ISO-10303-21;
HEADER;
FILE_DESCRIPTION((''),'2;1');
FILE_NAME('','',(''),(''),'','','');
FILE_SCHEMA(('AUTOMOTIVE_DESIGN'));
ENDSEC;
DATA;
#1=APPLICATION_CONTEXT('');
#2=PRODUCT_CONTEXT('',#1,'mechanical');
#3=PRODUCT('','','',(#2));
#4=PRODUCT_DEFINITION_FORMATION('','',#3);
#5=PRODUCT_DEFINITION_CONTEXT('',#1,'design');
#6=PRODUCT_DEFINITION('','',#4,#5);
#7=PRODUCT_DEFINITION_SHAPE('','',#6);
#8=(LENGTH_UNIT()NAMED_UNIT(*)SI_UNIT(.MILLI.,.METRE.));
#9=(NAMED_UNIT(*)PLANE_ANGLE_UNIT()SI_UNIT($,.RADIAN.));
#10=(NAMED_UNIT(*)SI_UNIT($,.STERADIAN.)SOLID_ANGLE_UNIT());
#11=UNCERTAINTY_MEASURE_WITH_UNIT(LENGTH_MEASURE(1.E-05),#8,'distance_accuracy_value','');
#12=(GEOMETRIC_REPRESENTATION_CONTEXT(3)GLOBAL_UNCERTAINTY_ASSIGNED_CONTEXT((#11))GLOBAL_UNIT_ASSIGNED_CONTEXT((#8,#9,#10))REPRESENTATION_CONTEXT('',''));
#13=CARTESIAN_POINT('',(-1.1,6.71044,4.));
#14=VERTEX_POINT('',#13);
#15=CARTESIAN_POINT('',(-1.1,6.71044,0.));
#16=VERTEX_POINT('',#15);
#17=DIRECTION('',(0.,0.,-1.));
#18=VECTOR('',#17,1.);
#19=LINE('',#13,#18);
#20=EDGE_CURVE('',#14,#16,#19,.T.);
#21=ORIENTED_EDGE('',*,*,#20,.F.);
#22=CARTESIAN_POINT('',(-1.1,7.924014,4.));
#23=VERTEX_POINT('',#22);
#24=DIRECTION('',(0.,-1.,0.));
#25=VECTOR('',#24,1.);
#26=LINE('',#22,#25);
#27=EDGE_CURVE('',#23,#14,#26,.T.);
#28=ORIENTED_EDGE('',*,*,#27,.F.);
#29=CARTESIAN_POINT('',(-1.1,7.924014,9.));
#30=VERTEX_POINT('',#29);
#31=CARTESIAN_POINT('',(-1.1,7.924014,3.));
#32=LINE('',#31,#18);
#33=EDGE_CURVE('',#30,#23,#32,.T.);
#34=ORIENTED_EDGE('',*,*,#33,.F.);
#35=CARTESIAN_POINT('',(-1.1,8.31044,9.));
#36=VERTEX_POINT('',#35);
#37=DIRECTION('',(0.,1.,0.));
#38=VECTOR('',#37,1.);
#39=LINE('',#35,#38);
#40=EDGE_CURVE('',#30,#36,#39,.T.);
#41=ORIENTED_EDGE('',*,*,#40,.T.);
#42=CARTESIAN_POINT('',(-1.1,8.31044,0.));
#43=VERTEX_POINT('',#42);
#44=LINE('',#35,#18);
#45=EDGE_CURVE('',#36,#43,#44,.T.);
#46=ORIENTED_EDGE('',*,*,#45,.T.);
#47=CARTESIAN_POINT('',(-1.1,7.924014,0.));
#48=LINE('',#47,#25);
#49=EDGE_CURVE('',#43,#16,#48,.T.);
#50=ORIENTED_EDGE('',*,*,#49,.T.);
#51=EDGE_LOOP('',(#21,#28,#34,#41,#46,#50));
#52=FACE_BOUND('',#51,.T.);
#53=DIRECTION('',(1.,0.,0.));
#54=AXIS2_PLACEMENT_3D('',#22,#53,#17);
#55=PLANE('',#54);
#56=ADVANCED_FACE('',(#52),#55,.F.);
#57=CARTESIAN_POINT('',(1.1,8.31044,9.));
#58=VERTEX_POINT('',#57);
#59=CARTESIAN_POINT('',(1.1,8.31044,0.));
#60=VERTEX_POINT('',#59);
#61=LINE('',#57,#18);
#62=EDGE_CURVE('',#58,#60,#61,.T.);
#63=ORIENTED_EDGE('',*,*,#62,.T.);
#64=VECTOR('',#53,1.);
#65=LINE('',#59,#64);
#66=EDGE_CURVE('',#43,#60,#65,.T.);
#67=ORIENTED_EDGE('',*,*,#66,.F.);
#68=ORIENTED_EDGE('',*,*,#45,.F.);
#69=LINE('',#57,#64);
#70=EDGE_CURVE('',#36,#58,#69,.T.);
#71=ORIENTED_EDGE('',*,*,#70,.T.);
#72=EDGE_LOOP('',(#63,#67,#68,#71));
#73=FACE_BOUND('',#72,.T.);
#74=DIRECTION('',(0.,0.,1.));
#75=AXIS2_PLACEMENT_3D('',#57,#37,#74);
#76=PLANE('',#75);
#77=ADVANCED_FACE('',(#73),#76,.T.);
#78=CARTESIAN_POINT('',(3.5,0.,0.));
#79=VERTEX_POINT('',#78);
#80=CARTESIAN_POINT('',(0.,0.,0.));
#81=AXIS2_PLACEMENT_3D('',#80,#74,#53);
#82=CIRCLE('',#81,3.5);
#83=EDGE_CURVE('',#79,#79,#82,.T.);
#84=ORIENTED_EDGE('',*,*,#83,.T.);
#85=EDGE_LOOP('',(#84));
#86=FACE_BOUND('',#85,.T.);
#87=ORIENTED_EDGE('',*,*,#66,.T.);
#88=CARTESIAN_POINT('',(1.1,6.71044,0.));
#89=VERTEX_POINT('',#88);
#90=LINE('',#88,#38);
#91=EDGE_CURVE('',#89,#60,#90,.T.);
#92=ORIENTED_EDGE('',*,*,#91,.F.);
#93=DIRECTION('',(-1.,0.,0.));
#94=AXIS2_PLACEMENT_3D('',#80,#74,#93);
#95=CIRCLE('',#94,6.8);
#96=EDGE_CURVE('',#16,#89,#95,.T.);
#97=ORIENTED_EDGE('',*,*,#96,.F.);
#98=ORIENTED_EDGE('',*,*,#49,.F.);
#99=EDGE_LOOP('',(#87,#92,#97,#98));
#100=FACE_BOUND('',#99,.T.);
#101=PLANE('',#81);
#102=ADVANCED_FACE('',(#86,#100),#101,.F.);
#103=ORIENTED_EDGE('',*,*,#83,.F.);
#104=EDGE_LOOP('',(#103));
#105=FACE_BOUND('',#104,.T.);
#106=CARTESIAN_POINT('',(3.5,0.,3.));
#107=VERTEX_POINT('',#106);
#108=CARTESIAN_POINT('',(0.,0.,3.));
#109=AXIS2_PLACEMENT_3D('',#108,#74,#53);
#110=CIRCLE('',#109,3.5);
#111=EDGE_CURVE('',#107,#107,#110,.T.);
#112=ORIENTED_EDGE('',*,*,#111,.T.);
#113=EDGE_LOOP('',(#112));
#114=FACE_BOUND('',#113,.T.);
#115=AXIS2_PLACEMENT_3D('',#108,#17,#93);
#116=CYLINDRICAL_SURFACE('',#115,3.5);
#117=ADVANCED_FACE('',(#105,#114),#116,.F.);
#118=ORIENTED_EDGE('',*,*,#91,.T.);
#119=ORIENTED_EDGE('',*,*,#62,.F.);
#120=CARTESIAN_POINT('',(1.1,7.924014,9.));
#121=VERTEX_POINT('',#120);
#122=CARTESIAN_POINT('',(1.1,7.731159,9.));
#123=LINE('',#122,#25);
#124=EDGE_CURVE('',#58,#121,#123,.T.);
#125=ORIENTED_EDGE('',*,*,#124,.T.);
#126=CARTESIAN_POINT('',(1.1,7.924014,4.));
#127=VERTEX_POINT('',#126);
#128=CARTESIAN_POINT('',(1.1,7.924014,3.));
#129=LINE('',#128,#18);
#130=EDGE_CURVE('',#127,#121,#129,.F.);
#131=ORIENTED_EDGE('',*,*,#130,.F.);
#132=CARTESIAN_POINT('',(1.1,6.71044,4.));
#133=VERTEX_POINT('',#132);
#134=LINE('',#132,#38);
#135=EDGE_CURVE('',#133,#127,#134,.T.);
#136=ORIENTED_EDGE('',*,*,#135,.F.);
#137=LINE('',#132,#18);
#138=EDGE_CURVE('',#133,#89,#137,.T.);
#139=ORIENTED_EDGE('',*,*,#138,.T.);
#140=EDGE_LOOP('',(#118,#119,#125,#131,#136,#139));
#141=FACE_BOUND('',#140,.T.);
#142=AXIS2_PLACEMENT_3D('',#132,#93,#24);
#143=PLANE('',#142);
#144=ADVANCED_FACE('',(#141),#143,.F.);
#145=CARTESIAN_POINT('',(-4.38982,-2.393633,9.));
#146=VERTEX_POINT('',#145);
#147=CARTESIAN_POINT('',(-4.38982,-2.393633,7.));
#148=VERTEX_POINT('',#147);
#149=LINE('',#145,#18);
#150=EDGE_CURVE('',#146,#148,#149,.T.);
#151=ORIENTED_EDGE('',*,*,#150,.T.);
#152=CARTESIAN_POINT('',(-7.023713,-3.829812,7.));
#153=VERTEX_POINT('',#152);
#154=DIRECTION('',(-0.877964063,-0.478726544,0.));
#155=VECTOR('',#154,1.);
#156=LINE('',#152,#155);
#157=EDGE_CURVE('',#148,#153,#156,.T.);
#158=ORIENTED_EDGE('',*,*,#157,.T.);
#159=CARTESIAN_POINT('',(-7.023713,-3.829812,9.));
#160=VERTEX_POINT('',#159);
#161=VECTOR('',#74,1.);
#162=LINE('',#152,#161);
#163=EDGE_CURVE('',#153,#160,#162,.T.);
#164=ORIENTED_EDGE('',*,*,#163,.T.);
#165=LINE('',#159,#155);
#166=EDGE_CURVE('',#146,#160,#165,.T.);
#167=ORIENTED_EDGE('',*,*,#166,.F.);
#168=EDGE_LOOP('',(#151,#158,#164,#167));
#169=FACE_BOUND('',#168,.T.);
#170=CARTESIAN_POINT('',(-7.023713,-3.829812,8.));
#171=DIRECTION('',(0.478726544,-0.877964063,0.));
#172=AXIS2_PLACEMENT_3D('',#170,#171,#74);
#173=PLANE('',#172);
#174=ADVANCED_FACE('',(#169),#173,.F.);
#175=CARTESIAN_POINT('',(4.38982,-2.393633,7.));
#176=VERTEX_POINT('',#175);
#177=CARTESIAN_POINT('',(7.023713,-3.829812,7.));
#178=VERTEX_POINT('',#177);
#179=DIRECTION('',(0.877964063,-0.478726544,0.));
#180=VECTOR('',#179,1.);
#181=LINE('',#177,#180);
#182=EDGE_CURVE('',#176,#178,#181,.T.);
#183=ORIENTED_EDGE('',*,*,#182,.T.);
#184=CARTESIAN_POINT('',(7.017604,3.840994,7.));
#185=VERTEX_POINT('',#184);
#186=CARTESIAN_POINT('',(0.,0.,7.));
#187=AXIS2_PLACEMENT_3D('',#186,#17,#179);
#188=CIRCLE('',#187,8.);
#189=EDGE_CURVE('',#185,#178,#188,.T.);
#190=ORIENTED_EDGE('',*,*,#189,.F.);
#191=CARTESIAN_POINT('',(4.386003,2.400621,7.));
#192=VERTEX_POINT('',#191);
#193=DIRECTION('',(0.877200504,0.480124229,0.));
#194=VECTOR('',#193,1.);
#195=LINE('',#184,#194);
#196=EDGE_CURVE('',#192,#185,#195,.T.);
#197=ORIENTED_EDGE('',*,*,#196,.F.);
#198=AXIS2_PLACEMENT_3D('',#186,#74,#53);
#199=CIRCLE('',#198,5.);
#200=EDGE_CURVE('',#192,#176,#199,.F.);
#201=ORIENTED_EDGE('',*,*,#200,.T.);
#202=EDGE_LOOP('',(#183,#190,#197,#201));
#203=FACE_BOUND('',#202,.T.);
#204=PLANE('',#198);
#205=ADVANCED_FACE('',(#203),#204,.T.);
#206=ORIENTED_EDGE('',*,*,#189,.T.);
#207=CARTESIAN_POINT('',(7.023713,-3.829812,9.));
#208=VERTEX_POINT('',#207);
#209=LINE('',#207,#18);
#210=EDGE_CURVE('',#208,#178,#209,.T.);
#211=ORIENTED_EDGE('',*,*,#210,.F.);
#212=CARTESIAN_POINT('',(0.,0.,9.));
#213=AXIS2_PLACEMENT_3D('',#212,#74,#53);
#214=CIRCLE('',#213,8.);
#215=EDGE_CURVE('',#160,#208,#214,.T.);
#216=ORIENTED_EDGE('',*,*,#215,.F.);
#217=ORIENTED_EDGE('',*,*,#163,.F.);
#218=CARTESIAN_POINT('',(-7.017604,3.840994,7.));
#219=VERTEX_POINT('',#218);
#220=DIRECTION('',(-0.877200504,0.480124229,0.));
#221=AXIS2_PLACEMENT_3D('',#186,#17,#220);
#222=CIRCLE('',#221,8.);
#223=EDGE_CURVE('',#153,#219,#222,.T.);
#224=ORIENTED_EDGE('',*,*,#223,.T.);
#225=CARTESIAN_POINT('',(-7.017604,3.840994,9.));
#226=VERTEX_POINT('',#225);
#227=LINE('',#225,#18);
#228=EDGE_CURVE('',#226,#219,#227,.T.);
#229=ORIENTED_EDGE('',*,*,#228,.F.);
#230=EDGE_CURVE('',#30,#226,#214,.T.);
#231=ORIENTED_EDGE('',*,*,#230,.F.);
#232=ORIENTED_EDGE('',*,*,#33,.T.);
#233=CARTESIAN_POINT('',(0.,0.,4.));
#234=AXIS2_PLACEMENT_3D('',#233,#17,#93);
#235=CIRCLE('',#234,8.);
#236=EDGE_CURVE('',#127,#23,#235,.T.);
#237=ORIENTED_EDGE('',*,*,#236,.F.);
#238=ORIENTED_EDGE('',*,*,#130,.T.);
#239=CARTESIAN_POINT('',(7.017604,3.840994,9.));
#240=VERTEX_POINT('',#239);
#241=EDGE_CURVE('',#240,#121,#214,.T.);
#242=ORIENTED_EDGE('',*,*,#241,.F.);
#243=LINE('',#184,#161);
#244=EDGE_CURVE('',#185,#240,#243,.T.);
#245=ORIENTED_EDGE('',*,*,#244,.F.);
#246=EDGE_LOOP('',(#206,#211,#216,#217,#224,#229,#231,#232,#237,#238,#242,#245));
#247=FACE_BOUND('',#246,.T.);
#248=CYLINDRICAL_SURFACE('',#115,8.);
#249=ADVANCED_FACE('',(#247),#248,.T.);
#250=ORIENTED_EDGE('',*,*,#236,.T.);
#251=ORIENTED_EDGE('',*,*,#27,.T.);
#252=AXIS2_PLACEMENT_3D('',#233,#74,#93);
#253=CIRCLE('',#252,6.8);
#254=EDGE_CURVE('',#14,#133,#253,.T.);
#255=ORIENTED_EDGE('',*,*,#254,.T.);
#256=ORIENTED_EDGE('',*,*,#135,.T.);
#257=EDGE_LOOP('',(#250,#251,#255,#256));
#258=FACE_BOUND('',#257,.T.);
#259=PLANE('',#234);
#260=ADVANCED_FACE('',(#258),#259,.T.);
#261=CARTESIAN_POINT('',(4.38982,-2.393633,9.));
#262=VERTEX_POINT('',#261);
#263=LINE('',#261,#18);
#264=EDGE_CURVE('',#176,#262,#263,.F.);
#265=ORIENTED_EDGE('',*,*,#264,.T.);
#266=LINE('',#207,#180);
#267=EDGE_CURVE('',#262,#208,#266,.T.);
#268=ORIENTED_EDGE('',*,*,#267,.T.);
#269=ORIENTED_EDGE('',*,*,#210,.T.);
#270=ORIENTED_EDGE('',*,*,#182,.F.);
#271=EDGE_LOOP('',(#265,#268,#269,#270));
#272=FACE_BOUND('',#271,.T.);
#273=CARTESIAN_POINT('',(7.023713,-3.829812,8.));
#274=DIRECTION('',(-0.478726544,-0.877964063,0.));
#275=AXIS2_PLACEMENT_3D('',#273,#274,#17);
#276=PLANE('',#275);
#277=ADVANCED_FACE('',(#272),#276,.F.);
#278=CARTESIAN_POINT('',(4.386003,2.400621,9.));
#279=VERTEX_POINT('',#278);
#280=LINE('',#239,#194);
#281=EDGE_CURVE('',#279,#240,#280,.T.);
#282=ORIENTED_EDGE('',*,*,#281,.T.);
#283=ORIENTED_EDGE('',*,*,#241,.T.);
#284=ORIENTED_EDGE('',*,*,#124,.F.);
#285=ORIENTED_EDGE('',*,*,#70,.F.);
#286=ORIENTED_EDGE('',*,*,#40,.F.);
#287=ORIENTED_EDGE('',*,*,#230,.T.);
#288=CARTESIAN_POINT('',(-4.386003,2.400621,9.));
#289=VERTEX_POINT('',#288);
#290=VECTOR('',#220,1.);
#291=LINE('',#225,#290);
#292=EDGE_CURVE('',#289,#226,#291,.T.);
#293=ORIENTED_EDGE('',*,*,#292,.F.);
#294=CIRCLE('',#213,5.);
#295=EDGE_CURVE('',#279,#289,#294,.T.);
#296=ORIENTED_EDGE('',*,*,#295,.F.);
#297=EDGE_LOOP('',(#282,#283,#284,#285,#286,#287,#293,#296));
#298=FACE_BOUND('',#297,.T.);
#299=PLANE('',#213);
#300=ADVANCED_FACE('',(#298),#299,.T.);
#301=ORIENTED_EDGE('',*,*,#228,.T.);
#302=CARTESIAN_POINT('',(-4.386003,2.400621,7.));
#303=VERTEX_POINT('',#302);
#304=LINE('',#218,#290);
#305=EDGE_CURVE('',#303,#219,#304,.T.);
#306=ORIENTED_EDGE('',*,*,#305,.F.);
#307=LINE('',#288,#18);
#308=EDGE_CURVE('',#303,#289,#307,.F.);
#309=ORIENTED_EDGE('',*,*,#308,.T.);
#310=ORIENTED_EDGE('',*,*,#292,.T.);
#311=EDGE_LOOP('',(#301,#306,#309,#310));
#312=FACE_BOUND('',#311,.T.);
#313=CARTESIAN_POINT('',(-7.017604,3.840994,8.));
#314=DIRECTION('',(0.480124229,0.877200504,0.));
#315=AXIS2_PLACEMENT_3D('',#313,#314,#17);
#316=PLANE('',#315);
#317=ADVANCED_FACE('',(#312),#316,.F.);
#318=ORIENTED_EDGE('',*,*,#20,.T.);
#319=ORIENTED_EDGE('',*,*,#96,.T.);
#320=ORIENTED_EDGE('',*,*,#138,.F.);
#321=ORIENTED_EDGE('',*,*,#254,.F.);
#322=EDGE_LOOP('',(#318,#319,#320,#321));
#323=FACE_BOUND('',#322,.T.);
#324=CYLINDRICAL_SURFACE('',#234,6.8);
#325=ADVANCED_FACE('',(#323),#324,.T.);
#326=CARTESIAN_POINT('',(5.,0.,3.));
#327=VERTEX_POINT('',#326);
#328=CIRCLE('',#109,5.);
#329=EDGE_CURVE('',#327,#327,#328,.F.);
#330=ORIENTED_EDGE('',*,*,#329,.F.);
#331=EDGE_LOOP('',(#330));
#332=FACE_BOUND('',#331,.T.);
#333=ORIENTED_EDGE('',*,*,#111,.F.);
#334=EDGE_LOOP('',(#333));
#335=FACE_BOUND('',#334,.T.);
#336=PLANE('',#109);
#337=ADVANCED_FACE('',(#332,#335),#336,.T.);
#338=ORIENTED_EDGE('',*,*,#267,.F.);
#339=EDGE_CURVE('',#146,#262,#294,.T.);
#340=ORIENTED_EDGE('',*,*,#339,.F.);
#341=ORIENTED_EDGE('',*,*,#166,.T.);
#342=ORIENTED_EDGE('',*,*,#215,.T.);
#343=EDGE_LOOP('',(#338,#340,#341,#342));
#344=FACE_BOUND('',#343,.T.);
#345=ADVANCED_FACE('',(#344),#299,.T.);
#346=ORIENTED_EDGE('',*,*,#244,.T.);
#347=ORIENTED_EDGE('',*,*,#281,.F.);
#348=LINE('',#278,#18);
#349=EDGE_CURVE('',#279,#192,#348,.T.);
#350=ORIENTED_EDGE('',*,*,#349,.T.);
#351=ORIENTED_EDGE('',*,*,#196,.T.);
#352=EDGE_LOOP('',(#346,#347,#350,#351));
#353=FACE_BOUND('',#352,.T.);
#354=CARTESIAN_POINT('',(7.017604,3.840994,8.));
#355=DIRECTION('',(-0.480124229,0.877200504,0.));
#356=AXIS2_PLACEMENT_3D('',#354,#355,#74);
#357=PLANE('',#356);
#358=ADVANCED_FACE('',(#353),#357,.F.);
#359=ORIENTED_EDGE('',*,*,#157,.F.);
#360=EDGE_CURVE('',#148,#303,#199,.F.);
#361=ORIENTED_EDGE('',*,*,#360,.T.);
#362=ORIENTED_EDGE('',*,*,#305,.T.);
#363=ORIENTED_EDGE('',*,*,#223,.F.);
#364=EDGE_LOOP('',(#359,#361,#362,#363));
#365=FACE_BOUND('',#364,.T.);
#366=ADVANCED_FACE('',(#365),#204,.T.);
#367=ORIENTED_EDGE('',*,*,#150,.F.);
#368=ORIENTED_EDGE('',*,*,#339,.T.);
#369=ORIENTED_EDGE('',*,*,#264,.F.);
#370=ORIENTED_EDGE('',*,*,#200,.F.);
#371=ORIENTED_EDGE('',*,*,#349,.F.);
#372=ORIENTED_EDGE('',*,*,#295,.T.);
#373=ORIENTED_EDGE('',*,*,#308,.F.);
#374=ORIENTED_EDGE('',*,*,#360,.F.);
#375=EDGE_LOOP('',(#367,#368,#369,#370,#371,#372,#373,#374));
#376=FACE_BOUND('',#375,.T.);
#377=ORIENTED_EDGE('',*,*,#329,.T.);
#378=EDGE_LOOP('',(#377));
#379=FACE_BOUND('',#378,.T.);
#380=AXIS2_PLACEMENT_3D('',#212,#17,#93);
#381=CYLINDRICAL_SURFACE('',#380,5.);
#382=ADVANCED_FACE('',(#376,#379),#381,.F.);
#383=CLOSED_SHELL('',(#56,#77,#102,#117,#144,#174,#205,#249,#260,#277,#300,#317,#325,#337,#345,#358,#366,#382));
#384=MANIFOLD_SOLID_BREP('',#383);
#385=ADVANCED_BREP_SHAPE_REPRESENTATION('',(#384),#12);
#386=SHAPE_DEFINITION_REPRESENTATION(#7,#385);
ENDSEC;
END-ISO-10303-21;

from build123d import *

# Parameters (mm, degrees)
SKETCH1_R                = 8
SKETCH1_R_2              = 3.5
BOSS_EXTRUDE1_DEPTH      = 3
SKETCH2_R                = 8
SKETCH2_R_2              = 5
BOSS_EXTRUDE2_DEPTH      = 6
WRAP3_SECTION_W          = 4
WRAP3_SECTION_H          = 2
WRAP3_ANGLE              = 57.295779513
WRAP3_SECTOR_2_SECTION_W = 4
WRAP3_SECTOR_2_SECTION_H = 2
WRAP3_SECTOR_2_ANGLE     = 57.295779513
CUT_EXTRUDE1_DEPTH       = 4
BOSS_EXTRUDE3_DEPTH      = 9


with BuildPart() as part:
    # Sketch1 → Boss-Extrude1 (new body)
    with BuildSketch(Plane.XY):
        Circle(SKETCH1_R)
        Circle(SKETCH1_R_2, mode=Mode.SUBTRACT)
    extrude(amount=BOSS_EXTRUDE1_DEPTH)

    # Sketch2 → Boss-Extrude2 (add)
    with BuildSketch(Plane.XY.offset(3)):
        Circle(SKETCH2_R)
        Circle(SKETCH2_R_2, mode=Mode.SUBTRACT)
    extrude(amount=BOSS_EXTRUDE2_DEPTH)

    # Wrap3 section (on wrap section) → Wrap3 (revolve, cut)
    with BuildSketch(Plane(origin=(0, 0, 0), x_dir=(-0.8779640629990781, -0.4787265441587198, 0), z_dir=(0.4787265441587198, -0.8779640629990781, 0))):
        with Locations((6, -8)):
            Rectangle(WRAP3_SECTION_W, WRAP3_SECTION_H)
    revolve(axis=Axis((0, 0, 0), (0, 0, -1)), revolution_arc=WRAP3_ANGLE, mode=Mode.SUBTRACT)

    # Wrap3 sector 2 section (on wrap section) → Wrap3 sector 2 (revolve, cut)
    with BuildSketch(Plane(origin=(0, 0, 0), x_dir=(0.8772005042746819, 0.4801242290285337, 0), z_dir=(-0.4801242290285337, 0.8772005042746819, 0))):
        with Locations((6, -8)):
            Rectangle(WRAP3_SECTOR_2_SECTION_W, WRAP3_SECTOR_2_SECTION_H)
    revolve(axis=Axis((0, 0, 0), (0, 0, -1)), revolution_arc=WRAP3_SECTOR_2_ANGLE, mode=Mode.SUBTRACT)

    # Sketch5 → Cut-Extrude1 (cut)
    with BuildSketch(Plane(origin=(0, 0, 0), x_dir=(-1, 0, 0), z_dir=(0, 0, -1))):
        with BuildLine():
            Line((-1.1, 6.710439628), (-1.1, 7.924014134))
            ThreePointArc((-1.1, 7.924014134), (0, -8), (1.1, 7.924014134))
            Line((1.1, 7.924014134), (1.1, 6.710439628))
            ThreePointArc((1.1, 6.710439628), (0, -6.8), (-1.1, 6.710439628))
        make_face()
    extrude(amount=-CUT_EXTRUDE1_DEPTH, mode=Mode.SUBTRACT)

    # Sketch6 → Boss-Extrude3 (add)
    with BuildSketch(Plane(origin=(0, 0, 0), x_dir=(-1, 0, 0), z_dir=(0, 0, -1))):
        with BuildLine():
            Line((-1.1, 7.731159285), (-1.1, 8.310439628))
            Line((-1.1, 8.310439628), (1.1, 8.310439628))
            Line((1.1, 8.310439628), (1.1, 7.731159285))
            ThreePointArc((1.1, 7.731159285), (0, 7.807145151), (-1.1, 7.731159285))
        make_face()
    extrude(amount=-BOSS_EXTRUDE3_DEPTH)


solid = part.part
